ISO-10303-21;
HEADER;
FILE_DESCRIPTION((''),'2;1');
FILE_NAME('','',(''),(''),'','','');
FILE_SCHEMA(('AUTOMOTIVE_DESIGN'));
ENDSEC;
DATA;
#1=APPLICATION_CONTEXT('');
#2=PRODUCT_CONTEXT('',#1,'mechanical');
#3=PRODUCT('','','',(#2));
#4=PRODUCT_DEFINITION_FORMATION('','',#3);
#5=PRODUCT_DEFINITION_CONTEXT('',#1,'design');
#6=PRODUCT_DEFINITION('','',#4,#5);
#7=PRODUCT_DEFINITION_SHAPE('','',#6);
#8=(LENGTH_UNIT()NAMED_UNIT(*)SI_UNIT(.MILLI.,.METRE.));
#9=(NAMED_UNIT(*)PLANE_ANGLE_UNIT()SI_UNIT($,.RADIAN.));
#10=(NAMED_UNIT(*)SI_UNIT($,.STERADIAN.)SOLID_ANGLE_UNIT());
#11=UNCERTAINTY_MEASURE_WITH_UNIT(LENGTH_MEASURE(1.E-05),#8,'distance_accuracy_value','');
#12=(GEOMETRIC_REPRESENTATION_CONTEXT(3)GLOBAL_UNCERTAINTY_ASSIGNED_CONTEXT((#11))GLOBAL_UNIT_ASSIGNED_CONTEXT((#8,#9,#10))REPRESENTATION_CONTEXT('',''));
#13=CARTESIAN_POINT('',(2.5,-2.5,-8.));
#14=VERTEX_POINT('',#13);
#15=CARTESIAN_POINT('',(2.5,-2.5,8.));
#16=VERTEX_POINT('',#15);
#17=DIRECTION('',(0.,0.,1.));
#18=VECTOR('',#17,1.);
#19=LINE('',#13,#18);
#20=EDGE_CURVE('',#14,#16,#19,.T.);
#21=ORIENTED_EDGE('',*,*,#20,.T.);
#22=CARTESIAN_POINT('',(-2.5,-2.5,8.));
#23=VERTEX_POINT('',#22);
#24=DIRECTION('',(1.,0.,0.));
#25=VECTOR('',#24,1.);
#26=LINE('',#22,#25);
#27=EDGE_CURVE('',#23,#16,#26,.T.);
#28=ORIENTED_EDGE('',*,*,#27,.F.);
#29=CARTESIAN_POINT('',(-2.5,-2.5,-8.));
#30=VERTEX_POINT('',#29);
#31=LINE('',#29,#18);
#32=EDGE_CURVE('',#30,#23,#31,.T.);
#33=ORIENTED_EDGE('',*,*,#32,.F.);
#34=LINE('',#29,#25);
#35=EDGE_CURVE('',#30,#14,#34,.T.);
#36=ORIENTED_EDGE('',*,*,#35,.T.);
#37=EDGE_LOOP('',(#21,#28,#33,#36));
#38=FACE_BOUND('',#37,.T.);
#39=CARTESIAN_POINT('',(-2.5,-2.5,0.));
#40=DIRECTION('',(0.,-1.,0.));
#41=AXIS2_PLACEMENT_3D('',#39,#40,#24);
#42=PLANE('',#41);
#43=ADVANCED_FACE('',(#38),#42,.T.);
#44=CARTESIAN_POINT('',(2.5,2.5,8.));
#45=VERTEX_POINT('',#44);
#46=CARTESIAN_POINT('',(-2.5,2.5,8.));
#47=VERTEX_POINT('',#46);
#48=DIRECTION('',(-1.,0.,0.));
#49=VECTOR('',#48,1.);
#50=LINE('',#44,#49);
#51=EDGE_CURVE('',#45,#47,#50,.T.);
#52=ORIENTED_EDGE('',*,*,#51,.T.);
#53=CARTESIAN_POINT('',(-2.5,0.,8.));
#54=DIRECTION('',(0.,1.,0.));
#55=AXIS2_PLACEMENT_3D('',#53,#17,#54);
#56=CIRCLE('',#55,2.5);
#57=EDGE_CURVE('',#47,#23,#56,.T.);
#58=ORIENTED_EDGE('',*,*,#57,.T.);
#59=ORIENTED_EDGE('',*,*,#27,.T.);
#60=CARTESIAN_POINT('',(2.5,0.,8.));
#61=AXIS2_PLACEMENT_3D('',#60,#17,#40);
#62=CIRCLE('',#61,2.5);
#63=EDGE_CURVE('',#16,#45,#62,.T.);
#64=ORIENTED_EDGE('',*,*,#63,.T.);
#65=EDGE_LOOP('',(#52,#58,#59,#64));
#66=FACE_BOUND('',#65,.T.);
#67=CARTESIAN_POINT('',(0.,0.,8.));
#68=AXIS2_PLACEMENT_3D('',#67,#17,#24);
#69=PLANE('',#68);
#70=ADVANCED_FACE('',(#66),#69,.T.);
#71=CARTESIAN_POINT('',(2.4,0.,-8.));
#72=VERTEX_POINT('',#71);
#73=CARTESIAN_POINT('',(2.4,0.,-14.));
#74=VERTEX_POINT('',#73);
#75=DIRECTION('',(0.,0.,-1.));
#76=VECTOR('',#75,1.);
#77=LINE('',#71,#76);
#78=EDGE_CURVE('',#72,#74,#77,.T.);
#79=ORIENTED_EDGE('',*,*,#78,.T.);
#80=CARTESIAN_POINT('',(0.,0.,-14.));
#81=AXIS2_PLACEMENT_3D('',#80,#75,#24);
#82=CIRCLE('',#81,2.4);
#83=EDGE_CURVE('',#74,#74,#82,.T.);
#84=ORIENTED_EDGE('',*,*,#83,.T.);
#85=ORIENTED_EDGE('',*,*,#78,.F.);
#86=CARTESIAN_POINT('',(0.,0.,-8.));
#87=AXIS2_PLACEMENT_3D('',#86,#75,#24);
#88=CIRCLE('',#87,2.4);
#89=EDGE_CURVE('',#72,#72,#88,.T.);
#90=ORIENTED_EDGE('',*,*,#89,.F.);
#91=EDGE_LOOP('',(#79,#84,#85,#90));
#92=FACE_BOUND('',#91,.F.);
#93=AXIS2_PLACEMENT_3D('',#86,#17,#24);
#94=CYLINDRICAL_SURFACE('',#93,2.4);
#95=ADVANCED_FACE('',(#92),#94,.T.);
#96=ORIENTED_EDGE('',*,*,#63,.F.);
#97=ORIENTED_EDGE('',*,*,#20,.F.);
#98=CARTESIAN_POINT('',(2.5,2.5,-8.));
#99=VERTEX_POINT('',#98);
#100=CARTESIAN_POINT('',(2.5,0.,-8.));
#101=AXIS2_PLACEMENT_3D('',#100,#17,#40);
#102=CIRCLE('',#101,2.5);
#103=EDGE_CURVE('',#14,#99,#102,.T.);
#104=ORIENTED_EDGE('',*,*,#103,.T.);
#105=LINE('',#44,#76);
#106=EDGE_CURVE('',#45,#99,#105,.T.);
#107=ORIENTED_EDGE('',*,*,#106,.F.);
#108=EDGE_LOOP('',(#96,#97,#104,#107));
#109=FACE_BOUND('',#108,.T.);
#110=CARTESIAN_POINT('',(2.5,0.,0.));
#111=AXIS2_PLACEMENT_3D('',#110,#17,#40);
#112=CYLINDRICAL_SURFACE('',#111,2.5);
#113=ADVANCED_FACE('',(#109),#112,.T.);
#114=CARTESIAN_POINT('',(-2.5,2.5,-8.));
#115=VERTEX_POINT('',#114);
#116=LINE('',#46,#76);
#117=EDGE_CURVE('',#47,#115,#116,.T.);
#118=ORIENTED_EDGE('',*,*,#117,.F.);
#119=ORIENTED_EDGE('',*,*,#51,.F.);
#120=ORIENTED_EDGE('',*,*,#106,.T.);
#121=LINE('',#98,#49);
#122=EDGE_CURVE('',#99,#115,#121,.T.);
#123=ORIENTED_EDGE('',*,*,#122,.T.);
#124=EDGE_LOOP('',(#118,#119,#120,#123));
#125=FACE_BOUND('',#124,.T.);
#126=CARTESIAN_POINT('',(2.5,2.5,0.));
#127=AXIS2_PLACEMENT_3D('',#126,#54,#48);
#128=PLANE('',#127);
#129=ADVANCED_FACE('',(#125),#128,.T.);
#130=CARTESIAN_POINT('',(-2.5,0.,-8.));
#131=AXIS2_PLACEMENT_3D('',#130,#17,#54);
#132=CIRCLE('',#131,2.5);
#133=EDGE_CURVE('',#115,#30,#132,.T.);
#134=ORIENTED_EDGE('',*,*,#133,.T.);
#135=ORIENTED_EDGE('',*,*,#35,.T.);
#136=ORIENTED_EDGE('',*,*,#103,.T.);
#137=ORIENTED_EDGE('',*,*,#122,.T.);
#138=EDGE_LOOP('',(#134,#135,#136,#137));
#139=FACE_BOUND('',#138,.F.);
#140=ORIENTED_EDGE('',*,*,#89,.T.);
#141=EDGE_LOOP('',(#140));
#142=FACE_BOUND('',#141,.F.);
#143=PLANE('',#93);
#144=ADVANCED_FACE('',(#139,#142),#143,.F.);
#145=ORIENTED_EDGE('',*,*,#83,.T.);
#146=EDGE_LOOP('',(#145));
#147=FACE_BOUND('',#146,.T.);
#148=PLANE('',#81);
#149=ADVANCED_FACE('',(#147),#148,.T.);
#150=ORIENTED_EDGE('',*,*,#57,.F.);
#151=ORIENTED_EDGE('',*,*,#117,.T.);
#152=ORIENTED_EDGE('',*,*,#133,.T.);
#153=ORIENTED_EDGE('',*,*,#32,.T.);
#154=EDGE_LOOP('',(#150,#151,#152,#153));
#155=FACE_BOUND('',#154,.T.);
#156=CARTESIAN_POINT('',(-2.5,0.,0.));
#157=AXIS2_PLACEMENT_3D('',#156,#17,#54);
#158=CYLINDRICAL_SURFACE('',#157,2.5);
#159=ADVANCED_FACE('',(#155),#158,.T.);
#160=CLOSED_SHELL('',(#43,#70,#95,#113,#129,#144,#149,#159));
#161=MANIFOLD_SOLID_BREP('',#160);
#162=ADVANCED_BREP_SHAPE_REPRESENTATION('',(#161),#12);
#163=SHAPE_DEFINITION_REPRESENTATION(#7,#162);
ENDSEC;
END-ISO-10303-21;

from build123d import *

# Parameters (mm, degrees)
PAD_DEPTH    = 8
SKETCH001_R  = 2.4
PAD001_DEPTH = 6


with BuildPart() as part:
    # Sketch → Pad (new body, symmetric)
    with BuildSketch(Plane.XY):
        with BuildLine():
            ThreePointArc((-2.5, 2.5), (-5, 0), (-2.5, -2.5))
            Line((-2.5, -2.5), (2.5, -2.5))
            ThreePointArc((2.5, -2.5), (5, 0), (2.5, 2.5))
            Line((2.5, 2.5), (-2.5, 2.5))
        make_face()
    extrude(amount=PAD_DEPTH, both=True)

    # Sketch001 (on Face5 of Pad) → Pad001 (join)
    with BuildSketch(Plane(origin=(0, 0, -8), x_dir=(1, 0, 0), z_dir=(0, 0, -1))):
        Circle(SKETCH001_R)
    extrude(amount=PAD001_DEPTH)


solid = part.part
